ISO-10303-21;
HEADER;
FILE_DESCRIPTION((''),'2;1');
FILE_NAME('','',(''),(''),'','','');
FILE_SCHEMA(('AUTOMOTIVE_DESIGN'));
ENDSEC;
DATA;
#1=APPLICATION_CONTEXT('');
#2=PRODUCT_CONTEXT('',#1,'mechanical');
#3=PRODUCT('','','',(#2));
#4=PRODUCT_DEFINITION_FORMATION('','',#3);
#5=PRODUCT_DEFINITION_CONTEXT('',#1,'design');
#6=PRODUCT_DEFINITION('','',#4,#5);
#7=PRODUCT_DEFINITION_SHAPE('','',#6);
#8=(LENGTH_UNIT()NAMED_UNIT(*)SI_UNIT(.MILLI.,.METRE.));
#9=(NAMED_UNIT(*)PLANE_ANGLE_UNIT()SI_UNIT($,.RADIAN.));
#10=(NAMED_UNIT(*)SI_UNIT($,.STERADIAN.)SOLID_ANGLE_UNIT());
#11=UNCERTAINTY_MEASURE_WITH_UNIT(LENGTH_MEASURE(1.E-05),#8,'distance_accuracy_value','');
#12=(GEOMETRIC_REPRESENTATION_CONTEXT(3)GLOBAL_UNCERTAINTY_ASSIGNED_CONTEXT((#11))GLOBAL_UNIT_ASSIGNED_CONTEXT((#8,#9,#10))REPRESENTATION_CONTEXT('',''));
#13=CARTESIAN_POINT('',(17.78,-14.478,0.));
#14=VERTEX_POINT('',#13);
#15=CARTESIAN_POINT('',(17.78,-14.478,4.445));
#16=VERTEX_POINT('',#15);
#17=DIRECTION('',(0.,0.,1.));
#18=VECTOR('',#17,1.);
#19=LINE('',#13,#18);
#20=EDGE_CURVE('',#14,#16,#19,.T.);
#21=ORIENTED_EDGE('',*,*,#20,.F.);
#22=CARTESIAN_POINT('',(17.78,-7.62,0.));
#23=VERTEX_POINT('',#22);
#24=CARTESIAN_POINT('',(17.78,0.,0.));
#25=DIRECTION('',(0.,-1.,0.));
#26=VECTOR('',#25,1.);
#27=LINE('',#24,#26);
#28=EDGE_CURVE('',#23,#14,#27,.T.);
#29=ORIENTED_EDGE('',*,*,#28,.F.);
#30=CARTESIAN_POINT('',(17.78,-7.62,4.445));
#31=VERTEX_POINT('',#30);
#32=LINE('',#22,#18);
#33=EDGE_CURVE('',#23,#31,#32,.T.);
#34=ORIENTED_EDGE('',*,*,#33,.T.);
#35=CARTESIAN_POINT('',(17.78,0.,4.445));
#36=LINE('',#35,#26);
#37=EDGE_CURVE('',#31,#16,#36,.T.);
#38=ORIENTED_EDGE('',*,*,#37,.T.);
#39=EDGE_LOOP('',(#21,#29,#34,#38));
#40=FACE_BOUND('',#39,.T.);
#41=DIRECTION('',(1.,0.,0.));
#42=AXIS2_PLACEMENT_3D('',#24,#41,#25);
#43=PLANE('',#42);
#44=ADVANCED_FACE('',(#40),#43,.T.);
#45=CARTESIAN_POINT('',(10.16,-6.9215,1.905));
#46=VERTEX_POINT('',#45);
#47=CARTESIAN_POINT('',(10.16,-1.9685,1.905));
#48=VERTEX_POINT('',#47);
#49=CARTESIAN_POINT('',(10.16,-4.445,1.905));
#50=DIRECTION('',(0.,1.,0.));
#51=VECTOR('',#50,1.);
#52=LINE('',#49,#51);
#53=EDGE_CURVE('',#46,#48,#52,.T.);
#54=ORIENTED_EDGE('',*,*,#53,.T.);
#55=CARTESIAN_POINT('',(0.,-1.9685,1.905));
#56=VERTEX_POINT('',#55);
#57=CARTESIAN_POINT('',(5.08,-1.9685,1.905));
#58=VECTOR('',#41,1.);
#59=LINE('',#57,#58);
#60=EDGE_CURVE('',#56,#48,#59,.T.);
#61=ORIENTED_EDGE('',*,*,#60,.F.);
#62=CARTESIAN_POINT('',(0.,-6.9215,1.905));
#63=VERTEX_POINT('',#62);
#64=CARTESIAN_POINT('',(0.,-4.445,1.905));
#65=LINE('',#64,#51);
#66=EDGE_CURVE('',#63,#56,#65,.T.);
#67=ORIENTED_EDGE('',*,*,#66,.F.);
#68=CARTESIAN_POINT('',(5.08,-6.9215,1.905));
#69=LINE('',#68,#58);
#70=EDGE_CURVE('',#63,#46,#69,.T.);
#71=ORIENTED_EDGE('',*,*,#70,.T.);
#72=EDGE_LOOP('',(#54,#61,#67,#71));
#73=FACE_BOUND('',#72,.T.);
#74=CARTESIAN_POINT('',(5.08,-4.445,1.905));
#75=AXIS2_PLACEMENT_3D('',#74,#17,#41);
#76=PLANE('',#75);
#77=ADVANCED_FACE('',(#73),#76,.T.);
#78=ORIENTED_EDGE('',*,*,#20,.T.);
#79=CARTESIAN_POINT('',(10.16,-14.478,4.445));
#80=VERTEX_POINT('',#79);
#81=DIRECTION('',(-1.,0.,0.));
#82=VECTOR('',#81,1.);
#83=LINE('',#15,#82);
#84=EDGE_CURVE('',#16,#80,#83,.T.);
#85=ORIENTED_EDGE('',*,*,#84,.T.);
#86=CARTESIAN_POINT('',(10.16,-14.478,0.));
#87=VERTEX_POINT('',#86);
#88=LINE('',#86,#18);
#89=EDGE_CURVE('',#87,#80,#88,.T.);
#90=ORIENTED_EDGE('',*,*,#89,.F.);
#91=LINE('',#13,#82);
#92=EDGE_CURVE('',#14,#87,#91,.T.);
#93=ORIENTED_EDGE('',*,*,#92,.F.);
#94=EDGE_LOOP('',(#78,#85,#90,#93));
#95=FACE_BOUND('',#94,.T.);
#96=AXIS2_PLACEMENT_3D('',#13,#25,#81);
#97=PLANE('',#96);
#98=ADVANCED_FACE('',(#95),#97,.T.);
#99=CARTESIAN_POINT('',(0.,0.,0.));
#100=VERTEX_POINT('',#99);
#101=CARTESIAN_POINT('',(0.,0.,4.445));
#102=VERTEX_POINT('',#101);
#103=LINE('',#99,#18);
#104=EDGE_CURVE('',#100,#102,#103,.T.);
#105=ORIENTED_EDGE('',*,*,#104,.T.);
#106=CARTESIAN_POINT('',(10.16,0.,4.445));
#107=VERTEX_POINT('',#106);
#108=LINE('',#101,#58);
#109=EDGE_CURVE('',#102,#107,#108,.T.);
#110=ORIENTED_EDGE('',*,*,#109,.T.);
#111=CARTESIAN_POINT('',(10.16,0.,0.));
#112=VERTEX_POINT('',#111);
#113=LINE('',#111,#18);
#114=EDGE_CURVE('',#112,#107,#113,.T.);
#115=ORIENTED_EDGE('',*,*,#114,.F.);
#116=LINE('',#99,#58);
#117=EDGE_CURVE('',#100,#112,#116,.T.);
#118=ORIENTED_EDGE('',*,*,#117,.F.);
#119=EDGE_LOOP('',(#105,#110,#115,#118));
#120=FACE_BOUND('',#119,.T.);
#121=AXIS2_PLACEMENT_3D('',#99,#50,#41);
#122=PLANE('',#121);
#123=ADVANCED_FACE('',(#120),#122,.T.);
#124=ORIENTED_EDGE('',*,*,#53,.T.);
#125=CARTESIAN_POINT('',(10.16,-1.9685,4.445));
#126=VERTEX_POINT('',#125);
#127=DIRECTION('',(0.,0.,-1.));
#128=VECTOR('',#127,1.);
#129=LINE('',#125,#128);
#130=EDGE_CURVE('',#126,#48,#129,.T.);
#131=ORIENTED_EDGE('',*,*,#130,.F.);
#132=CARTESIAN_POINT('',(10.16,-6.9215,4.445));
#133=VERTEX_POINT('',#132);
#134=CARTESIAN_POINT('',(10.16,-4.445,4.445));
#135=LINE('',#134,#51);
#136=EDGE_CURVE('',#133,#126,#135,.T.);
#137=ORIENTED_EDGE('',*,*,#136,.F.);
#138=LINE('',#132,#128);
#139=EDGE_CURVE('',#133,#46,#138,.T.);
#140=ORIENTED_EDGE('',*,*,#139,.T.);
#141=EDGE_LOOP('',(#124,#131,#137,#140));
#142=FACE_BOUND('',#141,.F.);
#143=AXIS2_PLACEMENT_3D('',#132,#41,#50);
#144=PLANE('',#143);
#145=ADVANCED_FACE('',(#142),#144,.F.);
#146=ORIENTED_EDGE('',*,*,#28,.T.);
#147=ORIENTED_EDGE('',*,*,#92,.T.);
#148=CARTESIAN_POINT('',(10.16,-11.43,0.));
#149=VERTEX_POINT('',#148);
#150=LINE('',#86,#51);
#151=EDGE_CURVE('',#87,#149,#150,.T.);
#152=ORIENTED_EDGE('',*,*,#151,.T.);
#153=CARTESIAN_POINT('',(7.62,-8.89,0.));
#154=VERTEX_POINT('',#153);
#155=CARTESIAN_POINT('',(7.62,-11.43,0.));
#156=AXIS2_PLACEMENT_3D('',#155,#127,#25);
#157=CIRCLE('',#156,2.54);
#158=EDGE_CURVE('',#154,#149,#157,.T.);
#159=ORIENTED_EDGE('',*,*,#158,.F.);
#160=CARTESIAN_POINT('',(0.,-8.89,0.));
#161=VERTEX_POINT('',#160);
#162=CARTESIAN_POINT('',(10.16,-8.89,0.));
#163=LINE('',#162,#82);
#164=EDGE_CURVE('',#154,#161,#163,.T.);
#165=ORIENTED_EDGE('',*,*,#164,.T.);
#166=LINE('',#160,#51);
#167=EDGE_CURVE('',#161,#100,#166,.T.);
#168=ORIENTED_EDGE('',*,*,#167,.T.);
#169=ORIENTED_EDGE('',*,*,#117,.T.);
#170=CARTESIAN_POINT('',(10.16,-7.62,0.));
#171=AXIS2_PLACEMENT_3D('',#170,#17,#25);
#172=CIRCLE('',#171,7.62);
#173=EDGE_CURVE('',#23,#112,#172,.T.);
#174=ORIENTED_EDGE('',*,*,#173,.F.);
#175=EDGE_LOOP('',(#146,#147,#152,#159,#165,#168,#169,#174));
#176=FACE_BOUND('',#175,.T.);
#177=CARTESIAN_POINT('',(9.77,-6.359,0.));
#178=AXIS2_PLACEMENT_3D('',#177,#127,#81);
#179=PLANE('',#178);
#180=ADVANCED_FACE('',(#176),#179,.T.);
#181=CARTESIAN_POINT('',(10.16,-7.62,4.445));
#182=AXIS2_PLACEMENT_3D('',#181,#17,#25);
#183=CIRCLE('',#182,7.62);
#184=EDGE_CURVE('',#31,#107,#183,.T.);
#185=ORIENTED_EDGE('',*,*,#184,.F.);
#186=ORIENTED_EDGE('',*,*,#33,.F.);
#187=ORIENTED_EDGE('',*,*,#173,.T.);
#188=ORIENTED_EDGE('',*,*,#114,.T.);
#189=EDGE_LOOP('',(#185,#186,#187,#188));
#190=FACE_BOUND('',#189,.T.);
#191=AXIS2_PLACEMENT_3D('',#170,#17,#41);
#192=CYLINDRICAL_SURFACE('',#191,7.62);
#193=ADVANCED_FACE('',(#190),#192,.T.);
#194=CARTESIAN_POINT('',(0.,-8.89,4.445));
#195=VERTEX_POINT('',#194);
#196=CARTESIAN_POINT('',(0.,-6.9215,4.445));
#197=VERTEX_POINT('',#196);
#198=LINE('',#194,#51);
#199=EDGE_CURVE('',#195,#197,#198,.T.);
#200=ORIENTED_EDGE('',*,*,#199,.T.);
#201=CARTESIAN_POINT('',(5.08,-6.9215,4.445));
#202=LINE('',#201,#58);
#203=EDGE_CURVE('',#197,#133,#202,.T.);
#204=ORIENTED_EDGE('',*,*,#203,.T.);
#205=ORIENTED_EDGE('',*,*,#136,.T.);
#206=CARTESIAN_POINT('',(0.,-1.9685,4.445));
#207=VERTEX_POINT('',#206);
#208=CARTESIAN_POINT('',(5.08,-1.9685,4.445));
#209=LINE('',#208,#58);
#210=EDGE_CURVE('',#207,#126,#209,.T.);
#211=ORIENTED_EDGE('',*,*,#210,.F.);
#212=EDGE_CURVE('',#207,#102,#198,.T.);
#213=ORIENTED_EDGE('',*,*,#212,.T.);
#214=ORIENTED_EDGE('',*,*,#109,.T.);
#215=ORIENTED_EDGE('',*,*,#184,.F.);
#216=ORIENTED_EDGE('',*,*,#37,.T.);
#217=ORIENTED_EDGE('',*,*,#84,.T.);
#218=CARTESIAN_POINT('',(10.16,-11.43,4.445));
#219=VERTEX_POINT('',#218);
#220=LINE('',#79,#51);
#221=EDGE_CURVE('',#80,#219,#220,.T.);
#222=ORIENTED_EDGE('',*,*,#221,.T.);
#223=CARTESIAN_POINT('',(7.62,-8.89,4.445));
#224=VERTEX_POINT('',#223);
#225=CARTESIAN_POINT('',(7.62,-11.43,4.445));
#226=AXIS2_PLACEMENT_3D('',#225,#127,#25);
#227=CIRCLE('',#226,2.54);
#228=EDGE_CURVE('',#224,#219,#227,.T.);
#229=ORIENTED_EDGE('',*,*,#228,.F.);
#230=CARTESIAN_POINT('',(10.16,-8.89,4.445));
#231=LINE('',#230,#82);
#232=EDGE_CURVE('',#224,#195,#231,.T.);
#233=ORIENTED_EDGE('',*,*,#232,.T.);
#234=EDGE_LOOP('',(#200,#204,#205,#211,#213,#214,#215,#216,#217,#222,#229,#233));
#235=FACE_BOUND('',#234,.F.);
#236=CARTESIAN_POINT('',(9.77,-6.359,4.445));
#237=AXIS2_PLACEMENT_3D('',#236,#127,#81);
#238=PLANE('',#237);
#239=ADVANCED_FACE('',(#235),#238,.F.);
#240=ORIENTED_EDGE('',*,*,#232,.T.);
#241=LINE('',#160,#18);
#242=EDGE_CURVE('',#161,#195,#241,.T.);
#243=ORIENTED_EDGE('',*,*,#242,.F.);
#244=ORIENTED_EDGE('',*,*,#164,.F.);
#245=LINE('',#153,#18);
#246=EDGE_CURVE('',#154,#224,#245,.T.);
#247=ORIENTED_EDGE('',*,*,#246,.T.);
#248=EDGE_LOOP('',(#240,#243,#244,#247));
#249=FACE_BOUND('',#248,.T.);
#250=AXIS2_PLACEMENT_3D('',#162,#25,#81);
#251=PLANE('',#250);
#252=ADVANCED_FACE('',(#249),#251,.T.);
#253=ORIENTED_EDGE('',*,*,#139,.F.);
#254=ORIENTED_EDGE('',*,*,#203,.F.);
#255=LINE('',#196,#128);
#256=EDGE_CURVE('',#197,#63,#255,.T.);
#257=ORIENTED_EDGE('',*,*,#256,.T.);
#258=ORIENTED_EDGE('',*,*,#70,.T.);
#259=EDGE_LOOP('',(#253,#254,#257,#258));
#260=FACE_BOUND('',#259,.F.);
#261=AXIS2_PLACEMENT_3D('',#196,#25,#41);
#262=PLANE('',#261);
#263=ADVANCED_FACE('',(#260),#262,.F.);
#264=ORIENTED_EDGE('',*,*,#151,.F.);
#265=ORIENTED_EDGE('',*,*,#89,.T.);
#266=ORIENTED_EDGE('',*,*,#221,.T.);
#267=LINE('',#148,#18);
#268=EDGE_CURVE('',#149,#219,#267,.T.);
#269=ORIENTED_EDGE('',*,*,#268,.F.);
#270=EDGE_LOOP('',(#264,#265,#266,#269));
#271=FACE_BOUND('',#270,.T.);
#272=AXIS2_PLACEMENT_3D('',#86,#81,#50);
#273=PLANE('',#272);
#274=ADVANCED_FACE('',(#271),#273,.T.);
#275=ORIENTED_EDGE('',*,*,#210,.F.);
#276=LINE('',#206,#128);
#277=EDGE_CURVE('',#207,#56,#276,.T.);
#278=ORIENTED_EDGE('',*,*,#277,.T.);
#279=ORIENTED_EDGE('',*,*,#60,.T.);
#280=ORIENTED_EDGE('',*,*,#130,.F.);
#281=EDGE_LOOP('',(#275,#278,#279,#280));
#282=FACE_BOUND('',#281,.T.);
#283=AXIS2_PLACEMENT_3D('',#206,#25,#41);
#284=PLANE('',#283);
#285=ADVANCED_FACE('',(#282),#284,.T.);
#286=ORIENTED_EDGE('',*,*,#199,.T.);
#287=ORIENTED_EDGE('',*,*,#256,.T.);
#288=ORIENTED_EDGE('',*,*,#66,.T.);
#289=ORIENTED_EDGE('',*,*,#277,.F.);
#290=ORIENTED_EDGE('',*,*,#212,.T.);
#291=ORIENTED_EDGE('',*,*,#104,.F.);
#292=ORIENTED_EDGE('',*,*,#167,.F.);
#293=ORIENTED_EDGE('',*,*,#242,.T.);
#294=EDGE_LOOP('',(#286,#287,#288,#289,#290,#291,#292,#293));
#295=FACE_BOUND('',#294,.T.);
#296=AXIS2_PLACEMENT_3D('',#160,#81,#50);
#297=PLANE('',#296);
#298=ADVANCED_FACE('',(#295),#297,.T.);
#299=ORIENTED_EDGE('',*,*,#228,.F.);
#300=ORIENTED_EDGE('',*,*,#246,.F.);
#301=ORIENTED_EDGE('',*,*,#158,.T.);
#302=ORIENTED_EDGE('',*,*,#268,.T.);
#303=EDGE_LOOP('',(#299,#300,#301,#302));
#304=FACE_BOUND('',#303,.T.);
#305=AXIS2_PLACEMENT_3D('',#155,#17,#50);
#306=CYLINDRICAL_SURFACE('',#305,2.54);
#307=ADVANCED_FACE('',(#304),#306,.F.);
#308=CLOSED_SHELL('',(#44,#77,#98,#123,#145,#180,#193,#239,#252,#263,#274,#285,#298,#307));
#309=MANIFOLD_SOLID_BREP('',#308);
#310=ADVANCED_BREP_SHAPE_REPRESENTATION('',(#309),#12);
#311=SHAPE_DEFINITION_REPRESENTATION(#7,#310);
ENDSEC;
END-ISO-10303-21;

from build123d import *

# Parameters (mm, degrees)
BOSS_EXTRUDE1_DEPTH = 4.445
SKETCH2_W           = 10.16
SKETCH2_H           = 4.953
CUT_EXTRUDE1_DEPTH  = 2.54
FILLET1_R           = 2.54
FILLET2_R           = 7.62


with BuildPart() as part:
    # Sketch1 → Boss-Extrude1 (new body)
    with BuildSketch(Plane.XY):
        Polygon((0, 0), (17.78, 0), (17.78, -14.478), (10.16, -14.478), (10.16, -8.89), (0, -8.89), align=None)
    extrude(amount=BOSS_EXTRUDE1_DEPTH)

    # Sketch2 → Cut-Extrude1 (cut)
    with BuildSketch(Plane.XY.offset(4.445)):
        with Locations((5.08, -4.445)):
            Rectangle(SKETCH2_W, SKETCH2_H)
    extrude(amount=-CUT_EXTRUDE1_DEPTH, mode=Mode.SUBTRACT)

    # Fillet1
    fillet1_edges = [part.edges().sort_by_distance(p)[0] for p in [
        (10.16, -8.89, 2.2225),
    ]]
    fillet(fillet1_edges, radius=FILLET1_R)

    # Fillet2
    fillet2_edges = [part.edges().sort_by_distance(p)[0] for p in [
        (17.78, 0, 2.2225),
    ]]
    fillet(fillet2_edges, radius=FILLET2_R)


solid = part.part
